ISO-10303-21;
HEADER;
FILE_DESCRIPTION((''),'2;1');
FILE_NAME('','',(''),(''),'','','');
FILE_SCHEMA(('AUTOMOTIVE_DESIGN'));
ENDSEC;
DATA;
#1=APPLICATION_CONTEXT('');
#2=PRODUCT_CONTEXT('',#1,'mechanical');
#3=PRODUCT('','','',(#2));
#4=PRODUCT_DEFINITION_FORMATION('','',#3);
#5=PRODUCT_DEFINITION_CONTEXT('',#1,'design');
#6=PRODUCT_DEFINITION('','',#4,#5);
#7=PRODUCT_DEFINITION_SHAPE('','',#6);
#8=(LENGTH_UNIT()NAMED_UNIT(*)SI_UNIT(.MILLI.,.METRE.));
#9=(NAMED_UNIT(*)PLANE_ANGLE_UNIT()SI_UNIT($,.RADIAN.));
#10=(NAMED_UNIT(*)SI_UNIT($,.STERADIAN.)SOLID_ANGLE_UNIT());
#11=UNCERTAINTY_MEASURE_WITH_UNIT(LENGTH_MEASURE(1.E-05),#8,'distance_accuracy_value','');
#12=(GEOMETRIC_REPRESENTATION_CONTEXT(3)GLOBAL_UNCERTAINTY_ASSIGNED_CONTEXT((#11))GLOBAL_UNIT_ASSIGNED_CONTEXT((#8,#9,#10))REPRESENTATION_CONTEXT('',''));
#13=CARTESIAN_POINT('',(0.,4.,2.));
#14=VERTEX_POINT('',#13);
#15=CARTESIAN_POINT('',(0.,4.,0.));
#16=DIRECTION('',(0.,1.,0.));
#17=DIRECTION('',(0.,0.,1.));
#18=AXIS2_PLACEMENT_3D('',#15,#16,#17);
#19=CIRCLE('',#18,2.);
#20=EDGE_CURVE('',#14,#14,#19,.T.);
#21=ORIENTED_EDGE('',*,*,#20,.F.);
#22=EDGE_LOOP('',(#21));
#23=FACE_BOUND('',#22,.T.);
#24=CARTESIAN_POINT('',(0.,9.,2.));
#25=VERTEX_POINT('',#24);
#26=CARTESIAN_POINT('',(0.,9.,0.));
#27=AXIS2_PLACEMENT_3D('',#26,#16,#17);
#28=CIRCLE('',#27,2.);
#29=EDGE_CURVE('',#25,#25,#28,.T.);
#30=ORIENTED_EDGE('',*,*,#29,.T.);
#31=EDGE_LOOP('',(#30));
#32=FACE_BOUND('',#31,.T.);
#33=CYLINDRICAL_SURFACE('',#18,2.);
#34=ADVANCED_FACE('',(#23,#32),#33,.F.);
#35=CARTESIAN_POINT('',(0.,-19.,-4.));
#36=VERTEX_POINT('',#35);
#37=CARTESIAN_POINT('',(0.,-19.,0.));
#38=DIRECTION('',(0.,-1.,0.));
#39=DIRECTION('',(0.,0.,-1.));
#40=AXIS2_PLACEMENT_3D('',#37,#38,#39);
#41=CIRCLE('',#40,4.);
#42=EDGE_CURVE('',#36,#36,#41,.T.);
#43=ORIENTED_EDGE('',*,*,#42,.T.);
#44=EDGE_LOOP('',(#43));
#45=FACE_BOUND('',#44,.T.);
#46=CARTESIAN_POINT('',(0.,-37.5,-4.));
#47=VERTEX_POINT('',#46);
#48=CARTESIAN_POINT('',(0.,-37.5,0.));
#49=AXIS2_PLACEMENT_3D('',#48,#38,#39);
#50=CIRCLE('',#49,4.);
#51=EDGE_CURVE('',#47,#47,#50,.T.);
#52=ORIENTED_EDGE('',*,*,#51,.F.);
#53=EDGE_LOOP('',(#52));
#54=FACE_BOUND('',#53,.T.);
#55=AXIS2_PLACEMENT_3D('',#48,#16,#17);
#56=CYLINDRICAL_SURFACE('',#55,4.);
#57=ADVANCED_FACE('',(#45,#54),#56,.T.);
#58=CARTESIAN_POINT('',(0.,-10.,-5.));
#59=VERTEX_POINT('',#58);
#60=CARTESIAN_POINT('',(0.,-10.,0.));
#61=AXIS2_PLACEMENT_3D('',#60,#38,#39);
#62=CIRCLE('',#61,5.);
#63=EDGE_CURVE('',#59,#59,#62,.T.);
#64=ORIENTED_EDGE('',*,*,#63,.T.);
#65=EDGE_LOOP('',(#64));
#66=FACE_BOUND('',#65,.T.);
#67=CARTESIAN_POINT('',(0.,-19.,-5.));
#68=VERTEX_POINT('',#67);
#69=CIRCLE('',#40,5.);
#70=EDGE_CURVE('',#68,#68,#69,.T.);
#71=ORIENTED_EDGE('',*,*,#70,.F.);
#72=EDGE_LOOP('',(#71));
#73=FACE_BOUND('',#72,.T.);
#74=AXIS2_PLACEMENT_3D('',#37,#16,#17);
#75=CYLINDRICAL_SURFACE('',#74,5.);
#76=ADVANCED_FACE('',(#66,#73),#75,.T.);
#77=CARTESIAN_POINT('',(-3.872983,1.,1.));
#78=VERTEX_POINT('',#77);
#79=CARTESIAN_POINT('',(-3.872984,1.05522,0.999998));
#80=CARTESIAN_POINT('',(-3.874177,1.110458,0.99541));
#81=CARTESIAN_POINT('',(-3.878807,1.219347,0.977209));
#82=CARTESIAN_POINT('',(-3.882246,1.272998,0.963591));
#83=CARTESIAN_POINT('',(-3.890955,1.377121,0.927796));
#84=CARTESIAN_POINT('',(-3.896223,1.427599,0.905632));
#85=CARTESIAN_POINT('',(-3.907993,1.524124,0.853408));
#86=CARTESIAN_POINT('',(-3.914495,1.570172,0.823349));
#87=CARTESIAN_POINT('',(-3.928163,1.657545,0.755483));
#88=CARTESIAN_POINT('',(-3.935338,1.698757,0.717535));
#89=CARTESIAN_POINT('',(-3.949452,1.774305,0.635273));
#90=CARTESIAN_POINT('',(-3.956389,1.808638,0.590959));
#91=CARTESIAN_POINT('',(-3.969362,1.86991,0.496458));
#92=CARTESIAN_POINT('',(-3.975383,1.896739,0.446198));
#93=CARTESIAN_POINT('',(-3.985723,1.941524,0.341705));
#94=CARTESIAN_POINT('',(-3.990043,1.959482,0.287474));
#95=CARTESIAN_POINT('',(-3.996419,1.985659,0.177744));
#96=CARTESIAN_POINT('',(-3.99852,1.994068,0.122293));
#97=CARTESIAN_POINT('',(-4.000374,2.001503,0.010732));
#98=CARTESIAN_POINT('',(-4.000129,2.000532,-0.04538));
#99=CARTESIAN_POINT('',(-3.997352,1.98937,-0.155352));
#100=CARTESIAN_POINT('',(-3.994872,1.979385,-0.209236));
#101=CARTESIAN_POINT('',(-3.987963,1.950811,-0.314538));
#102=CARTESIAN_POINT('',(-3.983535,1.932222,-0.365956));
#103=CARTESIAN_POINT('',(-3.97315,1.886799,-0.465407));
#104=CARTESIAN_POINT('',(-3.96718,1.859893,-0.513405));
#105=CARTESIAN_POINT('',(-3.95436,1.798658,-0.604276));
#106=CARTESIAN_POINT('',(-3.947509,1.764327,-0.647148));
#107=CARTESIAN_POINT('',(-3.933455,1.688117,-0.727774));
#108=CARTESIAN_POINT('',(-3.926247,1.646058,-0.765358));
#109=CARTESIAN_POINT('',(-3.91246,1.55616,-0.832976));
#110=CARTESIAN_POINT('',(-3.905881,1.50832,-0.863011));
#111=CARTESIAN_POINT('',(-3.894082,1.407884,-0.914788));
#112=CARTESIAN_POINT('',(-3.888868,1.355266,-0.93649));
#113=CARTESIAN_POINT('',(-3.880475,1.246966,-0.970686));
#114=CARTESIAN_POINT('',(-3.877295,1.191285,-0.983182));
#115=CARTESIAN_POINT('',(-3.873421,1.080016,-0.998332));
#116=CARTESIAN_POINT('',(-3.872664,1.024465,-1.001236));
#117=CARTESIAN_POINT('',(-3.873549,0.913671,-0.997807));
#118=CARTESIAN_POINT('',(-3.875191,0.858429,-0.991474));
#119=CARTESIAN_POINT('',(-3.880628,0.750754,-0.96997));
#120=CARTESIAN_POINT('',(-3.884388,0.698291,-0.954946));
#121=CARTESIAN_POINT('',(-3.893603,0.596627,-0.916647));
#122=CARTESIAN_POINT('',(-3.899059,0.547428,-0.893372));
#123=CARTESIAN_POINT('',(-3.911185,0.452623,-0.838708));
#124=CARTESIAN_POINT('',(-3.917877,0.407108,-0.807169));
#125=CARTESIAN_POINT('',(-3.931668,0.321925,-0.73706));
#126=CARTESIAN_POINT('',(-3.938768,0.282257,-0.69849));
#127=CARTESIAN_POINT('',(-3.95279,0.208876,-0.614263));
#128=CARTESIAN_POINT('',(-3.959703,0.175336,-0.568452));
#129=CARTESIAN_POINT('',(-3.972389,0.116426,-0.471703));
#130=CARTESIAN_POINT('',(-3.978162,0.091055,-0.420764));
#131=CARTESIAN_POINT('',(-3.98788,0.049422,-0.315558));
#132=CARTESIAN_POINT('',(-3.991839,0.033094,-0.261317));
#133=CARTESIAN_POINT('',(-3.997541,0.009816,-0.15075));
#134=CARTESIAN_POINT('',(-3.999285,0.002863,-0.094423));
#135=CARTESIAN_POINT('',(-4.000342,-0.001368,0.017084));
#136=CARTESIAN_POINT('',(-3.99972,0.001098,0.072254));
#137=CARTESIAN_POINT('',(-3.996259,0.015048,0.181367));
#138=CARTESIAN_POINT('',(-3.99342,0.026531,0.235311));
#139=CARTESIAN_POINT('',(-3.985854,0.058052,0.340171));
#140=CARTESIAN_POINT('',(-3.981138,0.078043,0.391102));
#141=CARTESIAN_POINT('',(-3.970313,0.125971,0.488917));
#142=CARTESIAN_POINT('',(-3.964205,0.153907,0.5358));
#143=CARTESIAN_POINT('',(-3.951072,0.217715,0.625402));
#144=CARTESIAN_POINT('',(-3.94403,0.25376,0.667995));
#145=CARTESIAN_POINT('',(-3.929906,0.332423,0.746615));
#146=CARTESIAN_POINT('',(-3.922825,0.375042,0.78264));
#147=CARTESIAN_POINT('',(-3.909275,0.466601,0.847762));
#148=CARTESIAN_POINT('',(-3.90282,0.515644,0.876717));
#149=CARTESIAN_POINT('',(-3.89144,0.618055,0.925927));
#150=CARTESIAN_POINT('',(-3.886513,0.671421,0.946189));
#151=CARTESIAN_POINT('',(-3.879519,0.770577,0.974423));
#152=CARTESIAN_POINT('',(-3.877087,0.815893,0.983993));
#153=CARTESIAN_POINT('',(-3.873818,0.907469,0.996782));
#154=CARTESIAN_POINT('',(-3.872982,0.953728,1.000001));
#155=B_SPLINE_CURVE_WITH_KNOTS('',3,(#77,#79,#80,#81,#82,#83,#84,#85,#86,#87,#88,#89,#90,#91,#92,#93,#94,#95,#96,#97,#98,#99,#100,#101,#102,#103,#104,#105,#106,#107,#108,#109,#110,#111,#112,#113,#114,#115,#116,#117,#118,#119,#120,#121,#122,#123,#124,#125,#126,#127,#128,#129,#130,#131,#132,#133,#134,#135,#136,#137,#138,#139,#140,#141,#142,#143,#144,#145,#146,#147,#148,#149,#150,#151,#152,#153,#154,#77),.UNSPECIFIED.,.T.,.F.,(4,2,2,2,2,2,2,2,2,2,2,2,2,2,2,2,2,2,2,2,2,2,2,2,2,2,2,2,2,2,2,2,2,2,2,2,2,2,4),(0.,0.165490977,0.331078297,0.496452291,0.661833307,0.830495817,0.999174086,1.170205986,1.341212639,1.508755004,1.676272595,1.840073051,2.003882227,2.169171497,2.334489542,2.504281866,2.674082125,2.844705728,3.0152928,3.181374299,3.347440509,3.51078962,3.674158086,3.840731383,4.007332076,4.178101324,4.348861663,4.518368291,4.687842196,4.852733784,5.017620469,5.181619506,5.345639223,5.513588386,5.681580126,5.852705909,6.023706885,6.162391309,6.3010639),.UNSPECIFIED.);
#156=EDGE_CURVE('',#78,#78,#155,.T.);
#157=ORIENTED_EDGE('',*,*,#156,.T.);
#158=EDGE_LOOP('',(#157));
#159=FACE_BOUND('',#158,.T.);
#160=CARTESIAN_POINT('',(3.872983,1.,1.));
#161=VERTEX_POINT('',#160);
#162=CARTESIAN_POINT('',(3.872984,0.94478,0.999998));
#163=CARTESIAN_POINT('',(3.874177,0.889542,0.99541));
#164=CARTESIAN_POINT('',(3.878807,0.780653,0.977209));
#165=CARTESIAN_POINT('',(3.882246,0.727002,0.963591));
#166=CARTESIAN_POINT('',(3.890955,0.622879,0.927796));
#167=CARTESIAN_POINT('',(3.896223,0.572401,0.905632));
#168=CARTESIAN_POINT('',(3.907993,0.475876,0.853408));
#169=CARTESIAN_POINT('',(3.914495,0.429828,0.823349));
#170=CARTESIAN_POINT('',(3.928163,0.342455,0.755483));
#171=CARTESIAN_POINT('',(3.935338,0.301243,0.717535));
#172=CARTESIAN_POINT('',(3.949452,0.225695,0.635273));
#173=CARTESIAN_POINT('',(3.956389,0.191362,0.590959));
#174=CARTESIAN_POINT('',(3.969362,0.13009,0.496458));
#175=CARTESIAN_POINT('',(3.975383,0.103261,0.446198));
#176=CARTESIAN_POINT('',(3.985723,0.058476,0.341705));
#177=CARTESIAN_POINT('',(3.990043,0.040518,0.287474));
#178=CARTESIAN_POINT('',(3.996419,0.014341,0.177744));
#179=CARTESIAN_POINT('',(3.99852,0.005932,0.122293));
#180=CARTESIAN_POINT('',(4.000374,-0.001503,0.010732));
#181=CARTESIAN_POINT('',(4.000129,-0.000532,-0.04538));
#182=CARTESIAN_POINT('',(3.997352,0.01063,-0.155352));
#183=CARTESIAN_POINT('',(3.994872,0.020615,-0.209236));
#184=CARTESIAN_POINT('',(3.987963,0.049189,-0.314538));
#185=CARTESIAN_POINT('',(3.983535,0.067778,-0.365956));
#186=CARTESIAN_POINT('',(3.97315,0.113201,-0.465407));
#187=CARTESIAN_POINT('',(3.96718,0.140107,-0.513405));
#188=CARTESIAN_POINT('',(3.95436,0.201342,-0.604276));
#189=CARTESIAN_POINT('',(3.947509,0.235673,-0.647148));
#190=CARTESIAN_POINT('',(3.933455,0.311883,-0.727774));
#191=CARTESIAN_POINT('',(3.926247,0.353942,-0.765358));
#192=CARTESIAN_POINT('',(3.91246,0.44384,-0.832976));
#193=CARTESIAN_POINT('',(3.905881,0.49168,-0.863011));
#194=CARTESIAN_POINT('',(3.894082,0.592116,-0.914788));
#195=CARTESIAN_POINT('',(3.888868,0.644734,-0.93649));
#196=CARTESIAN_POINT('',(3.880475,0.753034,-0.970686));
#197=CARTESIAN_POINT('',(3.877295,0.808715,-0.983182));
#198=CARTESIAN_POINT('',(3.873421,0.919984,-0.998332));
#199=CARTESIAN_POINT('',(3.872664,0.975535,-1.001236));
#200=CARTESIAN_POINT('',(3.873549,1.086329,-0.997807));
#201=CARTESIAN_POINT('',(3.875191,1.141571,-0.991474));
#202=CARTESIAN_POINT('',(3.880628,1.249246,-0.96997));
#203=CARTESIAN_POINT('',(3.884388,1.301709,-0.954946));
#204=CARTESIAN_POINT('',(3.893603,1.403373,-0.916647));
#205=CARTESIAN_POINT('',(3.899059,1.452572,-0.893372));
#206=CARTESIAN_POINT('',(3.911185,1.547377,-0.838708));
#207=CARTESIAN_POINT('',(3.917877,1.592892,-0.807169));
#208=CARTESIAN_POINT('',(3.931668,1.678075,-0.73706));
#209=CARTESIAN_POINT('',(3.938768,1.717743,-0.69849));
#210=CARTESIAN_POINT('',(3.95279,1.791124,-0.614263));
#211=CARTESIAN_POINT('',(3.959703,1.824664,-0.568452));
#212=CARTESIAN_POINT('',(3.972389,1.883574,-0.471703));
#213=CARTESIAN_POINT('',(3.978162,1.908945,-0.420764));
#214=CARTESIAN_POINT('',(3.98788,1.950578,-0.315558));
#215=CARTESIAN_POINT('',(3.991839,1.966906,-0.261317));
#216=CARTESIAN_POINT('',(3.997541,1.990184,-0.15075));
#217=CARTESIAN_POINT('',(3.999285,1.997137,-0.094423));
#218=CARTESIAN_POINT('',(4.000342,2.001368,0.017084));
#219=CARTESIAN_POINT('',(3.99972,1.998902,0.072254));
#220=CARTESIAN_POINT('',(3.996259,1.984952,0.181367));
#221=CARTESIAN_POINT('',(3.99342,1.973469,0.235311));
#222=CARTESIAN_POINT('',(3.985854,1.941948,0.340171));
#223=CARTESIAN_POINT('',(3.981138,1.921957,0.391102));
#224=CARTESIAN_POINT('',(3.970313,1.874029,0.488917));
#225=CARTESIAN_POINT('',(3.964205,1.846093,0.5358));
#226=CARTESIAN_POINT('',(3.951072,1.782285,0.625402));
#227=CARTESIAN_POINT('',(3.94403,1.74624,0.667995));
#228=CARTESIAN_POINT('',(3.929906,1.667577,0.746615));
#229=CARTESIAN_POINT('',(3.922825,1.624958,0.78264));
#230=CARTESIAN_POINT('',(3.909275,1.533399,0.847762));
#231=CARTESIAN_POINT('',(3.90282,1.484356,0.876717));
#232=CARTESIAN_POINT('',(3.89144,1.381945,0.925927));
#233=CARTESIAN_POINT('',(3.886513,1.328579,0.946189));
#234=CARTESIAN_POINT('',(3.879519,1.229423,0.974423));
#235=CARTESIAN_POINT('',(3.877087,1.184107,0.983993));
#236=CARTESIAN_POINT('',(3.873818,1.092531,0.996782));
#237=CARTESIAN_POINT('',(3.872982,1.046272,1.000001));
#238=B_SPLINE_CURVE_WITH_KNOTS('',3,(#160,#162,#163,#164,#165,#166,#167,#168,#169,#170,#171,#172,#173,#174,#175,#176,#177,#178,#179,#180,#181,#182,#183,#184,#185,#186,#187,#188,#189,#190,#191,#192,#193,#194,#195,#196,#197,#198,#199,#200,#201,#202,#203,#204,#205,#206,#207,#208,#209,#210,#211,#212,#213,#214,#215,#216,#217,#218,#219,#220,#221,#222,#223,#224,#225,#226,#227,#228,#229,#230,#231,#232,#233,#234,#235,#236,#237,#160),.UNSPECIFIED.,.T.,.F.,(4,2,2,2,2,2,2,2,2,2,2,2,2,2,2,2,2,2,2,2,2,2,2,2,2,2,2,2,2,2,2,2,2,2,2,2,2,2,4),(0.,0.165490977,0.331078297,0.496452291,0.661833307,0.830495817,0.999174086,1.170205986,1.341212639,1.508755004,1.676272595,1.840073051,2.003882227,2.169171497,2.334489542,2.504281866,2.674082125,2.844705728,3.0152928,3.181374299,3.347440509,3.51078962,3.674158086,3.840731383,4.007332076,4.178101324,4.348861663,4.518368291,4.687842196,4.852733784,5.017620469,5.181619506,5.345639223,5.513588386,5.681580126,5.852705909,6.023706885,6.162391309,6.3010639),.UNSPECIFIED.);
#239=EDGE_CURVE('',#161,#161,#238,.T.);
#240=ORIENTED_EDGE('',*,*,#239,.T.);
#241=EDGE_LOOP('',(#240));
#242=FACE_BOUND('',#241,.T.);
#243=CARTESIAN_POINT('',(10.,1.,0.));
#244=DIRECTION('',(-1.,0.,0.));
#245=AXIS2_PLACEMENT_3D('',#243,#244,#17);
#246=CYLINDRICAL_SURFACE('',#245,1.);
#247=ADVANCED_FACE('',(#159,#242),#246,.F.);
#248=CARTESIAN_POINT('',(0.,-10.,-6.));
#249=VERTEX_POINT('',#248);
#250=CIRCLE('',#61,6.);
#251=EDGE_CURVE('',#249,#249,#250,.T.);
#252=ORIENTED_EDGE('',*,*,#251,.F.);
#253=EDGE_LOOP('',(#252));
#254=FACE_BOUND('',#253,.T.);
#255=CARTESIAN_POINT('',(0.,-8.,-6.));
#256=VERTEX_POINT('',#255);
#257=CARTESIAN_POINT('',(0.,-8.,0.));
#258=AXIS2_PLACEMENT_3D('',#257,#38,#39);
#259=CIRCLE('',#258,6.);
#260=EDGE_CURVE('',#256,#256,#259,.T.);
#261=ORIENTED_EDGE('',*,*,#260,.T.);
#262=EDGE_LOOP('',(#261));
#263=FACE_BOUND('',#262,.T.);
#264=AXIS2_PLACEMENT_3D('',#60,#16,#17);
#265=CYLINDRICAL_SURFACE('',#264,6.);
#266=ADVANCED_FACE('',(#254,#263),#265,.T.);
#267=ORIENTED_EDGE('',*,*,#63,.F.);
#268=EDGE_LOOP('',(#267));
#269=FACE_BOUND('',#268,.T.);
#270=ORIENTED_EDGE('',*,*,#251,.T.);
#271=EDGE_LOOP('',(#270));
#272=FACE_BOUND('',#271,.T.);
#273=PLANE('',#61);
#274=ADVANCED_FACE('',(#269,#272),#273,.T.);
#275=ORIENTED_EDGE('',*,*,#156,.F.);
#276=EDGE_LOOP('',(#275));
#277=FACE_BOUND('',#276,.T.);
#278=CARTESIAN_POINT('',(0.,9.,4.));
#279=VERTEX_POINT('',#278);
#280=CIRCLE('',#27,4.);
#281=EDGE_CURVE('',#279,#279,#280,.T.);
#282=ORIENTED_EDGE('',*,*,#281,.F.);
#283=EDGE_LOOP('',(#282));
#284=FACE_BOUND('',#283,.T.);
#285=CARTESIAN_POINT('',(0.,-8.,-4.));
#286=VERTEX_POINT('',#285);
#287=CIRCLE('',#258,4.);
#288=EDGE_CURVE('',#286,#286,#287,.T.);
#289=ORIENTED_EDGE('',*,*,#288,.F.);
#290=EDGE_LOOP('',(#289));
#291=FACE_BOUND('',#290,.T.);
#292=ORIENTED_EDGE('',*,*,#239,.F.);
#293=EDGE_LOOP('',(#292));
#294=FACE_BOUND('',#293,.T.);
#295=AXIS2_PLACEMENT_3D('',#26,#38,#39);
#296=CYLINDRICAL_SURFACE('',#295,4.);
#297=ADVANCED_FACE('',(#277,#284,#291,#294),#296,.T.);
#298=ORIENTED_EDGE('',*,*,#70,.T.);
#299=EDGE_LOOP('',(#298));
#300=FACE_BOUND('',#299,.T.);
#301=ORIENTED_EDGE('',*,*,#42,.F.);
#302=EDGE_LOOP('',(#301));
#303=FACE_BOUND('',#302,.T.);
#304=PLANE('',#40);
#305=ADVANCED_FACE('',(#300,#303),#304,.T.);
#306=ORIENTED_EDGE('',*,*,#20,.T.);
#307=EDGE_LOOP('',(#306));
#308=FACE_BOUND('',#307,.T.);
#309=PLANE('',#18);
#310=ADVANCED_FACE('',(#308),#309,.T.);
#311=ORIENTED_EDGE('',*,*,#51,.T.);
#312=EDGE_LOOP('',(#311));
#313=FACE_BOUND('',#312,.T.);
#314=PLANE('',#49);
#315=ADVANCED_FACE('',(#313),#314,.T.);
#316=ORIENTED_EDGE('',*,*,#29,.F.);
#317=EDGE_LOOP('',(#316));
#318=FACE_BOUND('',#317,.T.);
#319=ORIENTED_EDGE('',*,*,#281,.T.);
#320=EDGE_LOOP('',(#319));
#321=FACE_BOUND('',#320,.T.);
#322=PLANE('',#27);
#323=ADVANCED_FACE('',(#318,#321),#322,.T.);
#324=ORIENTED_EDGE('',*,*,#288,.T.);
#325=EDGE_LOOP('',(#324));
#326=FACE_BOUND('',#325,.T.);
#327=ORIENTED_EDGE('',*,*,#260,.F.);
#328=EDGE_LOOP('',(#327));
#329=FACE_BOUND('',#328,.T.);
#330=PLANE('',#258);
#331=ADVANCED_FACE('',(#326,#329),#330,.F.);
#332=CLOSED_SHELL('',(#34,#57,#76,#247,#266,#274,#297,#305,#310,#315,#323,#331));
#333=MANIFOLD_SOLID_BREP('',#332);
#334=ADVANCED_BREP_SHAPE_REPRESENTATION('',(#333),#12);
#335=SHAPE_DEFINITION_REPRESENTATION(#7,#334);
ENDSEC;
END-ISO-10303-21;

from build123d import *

# Parameters (mm, degrees)
SKETCH1_R                = 4
IMPELLER_SECTION_DEPTH   = 9
SKETCH2_R                = 2
IMPELLER_BOLT_BORE_DEPTH = 5
SEAL_START               = 8
SKETCH3_R                = 4
SEAL_SECTION_DEPTH       = 8
DOWEL_HOLE_DEPTH         = 10
DOWEL_HOLE_DEPTH_BACK    = 10
SKETCH5_R                = 1
SKETCH6_R                = 6
BEARING_STOP_DEPTH       = 2
SKETCH8_R                = 5
BEARING_SECTION_DEPTH    = 9
BOSS_EXTRUDE4_START      = 18.5
SKETCH9_R                = 4
BOSS_EXTRUDE4_DEPTH      = 18.5


with BuildPart() as part:
    # Sketch1 → impeller section (new body)
    with BuildSketch(Plane(origin=(0, 0, 0), x_dir=(1, 0, 0), z_dir=(0, 1, 0))):
        with Locations(Location((0, 0, 0), (0, 0, 270))):
            Circle(SKETCH1_R)
    extrude(amount=IMPELLER_SECTION_DEPTH)

    # Sketch2 → impeller bolt bore (cut)
    with BuildSketch(Plane(origin=(0, 9, 0), x_dir=(1, 0, 0), z_dir=(0, 1, 0))):
        with Locations(Location((0, 0, 0), (0, 0, 270))):
            Circle(SKETCH2_R)
    extrude(amount=-IMPELLER_BOLT_BORE_DEPTH, mode=Mode.SUBTRACT)

    # Sketch3 → seal section (add)
    with BuildSketch(Plane(origin=(0, 0, 0), x_dir=(-1, 0, 0), z_dir=(0, -1, 0)).offset(SEAL_START)):
        with Locations(Location((0, 0, 0), (0, 0, 90))):
            Circle(SKETCH3_R)
    extrude(amount=-SEAL_SECTION_DEPTH)

    # Sketch5 → dowel hole (cut, two sides: drawn at the far end of the back side and taken through both)
    with BuildSketch(Plane(origin=(0, 0, 0), x_dir=(0, 0, -1), z_dir=(1, 0, 0)).offset(-DOWEL_HOLE_DEPTH_BACK)):
        with Locations(Location((0, 1, 0), (0, 0, 180))):
            Circle(SKETCH5_R)
    extrude(amount=DOWEL_HOLE_DEPTH + DOWEL_HOLE_DEPTH_BACK, mode=Mode.SUBTRACT)

    # Sketch6 → bearing stop (add)
    with BuildSketch(Plane.XZ.offset(8)):
        with Locations(Location((0, 0, 0), (0, 0, 270))):
            Circle(SKETCH6_R)
    extrude(amount=BEARING_STOP_DEPTH)

    # Sketch8 → bearing section (add)
    with BuildSketch(Plane.XZ.offset(10)):
        with Locations(Location((0, 0, 0), (0, 0, 270))):
            Circle(SKETCH8_R)
    extrude(amount=BEARING_SECTION_DEPTH)

    # Sketch9 → Boss-Extrude4 (add)
    with BuildSketch(Plane(origin=(0, -19, 0), x_dir=(-1, 0, 0), z_dir=(0, -1, 0)).offset(BOSS_EXTRUDE4_START)):
        with Locations(Location((0, 0, 0), (0, 0, 90))):
            Circle(SKETCH9_R)
    extrude(amount=-BOSS_EXTRUDE4_DEPTH)


solid = part.part
